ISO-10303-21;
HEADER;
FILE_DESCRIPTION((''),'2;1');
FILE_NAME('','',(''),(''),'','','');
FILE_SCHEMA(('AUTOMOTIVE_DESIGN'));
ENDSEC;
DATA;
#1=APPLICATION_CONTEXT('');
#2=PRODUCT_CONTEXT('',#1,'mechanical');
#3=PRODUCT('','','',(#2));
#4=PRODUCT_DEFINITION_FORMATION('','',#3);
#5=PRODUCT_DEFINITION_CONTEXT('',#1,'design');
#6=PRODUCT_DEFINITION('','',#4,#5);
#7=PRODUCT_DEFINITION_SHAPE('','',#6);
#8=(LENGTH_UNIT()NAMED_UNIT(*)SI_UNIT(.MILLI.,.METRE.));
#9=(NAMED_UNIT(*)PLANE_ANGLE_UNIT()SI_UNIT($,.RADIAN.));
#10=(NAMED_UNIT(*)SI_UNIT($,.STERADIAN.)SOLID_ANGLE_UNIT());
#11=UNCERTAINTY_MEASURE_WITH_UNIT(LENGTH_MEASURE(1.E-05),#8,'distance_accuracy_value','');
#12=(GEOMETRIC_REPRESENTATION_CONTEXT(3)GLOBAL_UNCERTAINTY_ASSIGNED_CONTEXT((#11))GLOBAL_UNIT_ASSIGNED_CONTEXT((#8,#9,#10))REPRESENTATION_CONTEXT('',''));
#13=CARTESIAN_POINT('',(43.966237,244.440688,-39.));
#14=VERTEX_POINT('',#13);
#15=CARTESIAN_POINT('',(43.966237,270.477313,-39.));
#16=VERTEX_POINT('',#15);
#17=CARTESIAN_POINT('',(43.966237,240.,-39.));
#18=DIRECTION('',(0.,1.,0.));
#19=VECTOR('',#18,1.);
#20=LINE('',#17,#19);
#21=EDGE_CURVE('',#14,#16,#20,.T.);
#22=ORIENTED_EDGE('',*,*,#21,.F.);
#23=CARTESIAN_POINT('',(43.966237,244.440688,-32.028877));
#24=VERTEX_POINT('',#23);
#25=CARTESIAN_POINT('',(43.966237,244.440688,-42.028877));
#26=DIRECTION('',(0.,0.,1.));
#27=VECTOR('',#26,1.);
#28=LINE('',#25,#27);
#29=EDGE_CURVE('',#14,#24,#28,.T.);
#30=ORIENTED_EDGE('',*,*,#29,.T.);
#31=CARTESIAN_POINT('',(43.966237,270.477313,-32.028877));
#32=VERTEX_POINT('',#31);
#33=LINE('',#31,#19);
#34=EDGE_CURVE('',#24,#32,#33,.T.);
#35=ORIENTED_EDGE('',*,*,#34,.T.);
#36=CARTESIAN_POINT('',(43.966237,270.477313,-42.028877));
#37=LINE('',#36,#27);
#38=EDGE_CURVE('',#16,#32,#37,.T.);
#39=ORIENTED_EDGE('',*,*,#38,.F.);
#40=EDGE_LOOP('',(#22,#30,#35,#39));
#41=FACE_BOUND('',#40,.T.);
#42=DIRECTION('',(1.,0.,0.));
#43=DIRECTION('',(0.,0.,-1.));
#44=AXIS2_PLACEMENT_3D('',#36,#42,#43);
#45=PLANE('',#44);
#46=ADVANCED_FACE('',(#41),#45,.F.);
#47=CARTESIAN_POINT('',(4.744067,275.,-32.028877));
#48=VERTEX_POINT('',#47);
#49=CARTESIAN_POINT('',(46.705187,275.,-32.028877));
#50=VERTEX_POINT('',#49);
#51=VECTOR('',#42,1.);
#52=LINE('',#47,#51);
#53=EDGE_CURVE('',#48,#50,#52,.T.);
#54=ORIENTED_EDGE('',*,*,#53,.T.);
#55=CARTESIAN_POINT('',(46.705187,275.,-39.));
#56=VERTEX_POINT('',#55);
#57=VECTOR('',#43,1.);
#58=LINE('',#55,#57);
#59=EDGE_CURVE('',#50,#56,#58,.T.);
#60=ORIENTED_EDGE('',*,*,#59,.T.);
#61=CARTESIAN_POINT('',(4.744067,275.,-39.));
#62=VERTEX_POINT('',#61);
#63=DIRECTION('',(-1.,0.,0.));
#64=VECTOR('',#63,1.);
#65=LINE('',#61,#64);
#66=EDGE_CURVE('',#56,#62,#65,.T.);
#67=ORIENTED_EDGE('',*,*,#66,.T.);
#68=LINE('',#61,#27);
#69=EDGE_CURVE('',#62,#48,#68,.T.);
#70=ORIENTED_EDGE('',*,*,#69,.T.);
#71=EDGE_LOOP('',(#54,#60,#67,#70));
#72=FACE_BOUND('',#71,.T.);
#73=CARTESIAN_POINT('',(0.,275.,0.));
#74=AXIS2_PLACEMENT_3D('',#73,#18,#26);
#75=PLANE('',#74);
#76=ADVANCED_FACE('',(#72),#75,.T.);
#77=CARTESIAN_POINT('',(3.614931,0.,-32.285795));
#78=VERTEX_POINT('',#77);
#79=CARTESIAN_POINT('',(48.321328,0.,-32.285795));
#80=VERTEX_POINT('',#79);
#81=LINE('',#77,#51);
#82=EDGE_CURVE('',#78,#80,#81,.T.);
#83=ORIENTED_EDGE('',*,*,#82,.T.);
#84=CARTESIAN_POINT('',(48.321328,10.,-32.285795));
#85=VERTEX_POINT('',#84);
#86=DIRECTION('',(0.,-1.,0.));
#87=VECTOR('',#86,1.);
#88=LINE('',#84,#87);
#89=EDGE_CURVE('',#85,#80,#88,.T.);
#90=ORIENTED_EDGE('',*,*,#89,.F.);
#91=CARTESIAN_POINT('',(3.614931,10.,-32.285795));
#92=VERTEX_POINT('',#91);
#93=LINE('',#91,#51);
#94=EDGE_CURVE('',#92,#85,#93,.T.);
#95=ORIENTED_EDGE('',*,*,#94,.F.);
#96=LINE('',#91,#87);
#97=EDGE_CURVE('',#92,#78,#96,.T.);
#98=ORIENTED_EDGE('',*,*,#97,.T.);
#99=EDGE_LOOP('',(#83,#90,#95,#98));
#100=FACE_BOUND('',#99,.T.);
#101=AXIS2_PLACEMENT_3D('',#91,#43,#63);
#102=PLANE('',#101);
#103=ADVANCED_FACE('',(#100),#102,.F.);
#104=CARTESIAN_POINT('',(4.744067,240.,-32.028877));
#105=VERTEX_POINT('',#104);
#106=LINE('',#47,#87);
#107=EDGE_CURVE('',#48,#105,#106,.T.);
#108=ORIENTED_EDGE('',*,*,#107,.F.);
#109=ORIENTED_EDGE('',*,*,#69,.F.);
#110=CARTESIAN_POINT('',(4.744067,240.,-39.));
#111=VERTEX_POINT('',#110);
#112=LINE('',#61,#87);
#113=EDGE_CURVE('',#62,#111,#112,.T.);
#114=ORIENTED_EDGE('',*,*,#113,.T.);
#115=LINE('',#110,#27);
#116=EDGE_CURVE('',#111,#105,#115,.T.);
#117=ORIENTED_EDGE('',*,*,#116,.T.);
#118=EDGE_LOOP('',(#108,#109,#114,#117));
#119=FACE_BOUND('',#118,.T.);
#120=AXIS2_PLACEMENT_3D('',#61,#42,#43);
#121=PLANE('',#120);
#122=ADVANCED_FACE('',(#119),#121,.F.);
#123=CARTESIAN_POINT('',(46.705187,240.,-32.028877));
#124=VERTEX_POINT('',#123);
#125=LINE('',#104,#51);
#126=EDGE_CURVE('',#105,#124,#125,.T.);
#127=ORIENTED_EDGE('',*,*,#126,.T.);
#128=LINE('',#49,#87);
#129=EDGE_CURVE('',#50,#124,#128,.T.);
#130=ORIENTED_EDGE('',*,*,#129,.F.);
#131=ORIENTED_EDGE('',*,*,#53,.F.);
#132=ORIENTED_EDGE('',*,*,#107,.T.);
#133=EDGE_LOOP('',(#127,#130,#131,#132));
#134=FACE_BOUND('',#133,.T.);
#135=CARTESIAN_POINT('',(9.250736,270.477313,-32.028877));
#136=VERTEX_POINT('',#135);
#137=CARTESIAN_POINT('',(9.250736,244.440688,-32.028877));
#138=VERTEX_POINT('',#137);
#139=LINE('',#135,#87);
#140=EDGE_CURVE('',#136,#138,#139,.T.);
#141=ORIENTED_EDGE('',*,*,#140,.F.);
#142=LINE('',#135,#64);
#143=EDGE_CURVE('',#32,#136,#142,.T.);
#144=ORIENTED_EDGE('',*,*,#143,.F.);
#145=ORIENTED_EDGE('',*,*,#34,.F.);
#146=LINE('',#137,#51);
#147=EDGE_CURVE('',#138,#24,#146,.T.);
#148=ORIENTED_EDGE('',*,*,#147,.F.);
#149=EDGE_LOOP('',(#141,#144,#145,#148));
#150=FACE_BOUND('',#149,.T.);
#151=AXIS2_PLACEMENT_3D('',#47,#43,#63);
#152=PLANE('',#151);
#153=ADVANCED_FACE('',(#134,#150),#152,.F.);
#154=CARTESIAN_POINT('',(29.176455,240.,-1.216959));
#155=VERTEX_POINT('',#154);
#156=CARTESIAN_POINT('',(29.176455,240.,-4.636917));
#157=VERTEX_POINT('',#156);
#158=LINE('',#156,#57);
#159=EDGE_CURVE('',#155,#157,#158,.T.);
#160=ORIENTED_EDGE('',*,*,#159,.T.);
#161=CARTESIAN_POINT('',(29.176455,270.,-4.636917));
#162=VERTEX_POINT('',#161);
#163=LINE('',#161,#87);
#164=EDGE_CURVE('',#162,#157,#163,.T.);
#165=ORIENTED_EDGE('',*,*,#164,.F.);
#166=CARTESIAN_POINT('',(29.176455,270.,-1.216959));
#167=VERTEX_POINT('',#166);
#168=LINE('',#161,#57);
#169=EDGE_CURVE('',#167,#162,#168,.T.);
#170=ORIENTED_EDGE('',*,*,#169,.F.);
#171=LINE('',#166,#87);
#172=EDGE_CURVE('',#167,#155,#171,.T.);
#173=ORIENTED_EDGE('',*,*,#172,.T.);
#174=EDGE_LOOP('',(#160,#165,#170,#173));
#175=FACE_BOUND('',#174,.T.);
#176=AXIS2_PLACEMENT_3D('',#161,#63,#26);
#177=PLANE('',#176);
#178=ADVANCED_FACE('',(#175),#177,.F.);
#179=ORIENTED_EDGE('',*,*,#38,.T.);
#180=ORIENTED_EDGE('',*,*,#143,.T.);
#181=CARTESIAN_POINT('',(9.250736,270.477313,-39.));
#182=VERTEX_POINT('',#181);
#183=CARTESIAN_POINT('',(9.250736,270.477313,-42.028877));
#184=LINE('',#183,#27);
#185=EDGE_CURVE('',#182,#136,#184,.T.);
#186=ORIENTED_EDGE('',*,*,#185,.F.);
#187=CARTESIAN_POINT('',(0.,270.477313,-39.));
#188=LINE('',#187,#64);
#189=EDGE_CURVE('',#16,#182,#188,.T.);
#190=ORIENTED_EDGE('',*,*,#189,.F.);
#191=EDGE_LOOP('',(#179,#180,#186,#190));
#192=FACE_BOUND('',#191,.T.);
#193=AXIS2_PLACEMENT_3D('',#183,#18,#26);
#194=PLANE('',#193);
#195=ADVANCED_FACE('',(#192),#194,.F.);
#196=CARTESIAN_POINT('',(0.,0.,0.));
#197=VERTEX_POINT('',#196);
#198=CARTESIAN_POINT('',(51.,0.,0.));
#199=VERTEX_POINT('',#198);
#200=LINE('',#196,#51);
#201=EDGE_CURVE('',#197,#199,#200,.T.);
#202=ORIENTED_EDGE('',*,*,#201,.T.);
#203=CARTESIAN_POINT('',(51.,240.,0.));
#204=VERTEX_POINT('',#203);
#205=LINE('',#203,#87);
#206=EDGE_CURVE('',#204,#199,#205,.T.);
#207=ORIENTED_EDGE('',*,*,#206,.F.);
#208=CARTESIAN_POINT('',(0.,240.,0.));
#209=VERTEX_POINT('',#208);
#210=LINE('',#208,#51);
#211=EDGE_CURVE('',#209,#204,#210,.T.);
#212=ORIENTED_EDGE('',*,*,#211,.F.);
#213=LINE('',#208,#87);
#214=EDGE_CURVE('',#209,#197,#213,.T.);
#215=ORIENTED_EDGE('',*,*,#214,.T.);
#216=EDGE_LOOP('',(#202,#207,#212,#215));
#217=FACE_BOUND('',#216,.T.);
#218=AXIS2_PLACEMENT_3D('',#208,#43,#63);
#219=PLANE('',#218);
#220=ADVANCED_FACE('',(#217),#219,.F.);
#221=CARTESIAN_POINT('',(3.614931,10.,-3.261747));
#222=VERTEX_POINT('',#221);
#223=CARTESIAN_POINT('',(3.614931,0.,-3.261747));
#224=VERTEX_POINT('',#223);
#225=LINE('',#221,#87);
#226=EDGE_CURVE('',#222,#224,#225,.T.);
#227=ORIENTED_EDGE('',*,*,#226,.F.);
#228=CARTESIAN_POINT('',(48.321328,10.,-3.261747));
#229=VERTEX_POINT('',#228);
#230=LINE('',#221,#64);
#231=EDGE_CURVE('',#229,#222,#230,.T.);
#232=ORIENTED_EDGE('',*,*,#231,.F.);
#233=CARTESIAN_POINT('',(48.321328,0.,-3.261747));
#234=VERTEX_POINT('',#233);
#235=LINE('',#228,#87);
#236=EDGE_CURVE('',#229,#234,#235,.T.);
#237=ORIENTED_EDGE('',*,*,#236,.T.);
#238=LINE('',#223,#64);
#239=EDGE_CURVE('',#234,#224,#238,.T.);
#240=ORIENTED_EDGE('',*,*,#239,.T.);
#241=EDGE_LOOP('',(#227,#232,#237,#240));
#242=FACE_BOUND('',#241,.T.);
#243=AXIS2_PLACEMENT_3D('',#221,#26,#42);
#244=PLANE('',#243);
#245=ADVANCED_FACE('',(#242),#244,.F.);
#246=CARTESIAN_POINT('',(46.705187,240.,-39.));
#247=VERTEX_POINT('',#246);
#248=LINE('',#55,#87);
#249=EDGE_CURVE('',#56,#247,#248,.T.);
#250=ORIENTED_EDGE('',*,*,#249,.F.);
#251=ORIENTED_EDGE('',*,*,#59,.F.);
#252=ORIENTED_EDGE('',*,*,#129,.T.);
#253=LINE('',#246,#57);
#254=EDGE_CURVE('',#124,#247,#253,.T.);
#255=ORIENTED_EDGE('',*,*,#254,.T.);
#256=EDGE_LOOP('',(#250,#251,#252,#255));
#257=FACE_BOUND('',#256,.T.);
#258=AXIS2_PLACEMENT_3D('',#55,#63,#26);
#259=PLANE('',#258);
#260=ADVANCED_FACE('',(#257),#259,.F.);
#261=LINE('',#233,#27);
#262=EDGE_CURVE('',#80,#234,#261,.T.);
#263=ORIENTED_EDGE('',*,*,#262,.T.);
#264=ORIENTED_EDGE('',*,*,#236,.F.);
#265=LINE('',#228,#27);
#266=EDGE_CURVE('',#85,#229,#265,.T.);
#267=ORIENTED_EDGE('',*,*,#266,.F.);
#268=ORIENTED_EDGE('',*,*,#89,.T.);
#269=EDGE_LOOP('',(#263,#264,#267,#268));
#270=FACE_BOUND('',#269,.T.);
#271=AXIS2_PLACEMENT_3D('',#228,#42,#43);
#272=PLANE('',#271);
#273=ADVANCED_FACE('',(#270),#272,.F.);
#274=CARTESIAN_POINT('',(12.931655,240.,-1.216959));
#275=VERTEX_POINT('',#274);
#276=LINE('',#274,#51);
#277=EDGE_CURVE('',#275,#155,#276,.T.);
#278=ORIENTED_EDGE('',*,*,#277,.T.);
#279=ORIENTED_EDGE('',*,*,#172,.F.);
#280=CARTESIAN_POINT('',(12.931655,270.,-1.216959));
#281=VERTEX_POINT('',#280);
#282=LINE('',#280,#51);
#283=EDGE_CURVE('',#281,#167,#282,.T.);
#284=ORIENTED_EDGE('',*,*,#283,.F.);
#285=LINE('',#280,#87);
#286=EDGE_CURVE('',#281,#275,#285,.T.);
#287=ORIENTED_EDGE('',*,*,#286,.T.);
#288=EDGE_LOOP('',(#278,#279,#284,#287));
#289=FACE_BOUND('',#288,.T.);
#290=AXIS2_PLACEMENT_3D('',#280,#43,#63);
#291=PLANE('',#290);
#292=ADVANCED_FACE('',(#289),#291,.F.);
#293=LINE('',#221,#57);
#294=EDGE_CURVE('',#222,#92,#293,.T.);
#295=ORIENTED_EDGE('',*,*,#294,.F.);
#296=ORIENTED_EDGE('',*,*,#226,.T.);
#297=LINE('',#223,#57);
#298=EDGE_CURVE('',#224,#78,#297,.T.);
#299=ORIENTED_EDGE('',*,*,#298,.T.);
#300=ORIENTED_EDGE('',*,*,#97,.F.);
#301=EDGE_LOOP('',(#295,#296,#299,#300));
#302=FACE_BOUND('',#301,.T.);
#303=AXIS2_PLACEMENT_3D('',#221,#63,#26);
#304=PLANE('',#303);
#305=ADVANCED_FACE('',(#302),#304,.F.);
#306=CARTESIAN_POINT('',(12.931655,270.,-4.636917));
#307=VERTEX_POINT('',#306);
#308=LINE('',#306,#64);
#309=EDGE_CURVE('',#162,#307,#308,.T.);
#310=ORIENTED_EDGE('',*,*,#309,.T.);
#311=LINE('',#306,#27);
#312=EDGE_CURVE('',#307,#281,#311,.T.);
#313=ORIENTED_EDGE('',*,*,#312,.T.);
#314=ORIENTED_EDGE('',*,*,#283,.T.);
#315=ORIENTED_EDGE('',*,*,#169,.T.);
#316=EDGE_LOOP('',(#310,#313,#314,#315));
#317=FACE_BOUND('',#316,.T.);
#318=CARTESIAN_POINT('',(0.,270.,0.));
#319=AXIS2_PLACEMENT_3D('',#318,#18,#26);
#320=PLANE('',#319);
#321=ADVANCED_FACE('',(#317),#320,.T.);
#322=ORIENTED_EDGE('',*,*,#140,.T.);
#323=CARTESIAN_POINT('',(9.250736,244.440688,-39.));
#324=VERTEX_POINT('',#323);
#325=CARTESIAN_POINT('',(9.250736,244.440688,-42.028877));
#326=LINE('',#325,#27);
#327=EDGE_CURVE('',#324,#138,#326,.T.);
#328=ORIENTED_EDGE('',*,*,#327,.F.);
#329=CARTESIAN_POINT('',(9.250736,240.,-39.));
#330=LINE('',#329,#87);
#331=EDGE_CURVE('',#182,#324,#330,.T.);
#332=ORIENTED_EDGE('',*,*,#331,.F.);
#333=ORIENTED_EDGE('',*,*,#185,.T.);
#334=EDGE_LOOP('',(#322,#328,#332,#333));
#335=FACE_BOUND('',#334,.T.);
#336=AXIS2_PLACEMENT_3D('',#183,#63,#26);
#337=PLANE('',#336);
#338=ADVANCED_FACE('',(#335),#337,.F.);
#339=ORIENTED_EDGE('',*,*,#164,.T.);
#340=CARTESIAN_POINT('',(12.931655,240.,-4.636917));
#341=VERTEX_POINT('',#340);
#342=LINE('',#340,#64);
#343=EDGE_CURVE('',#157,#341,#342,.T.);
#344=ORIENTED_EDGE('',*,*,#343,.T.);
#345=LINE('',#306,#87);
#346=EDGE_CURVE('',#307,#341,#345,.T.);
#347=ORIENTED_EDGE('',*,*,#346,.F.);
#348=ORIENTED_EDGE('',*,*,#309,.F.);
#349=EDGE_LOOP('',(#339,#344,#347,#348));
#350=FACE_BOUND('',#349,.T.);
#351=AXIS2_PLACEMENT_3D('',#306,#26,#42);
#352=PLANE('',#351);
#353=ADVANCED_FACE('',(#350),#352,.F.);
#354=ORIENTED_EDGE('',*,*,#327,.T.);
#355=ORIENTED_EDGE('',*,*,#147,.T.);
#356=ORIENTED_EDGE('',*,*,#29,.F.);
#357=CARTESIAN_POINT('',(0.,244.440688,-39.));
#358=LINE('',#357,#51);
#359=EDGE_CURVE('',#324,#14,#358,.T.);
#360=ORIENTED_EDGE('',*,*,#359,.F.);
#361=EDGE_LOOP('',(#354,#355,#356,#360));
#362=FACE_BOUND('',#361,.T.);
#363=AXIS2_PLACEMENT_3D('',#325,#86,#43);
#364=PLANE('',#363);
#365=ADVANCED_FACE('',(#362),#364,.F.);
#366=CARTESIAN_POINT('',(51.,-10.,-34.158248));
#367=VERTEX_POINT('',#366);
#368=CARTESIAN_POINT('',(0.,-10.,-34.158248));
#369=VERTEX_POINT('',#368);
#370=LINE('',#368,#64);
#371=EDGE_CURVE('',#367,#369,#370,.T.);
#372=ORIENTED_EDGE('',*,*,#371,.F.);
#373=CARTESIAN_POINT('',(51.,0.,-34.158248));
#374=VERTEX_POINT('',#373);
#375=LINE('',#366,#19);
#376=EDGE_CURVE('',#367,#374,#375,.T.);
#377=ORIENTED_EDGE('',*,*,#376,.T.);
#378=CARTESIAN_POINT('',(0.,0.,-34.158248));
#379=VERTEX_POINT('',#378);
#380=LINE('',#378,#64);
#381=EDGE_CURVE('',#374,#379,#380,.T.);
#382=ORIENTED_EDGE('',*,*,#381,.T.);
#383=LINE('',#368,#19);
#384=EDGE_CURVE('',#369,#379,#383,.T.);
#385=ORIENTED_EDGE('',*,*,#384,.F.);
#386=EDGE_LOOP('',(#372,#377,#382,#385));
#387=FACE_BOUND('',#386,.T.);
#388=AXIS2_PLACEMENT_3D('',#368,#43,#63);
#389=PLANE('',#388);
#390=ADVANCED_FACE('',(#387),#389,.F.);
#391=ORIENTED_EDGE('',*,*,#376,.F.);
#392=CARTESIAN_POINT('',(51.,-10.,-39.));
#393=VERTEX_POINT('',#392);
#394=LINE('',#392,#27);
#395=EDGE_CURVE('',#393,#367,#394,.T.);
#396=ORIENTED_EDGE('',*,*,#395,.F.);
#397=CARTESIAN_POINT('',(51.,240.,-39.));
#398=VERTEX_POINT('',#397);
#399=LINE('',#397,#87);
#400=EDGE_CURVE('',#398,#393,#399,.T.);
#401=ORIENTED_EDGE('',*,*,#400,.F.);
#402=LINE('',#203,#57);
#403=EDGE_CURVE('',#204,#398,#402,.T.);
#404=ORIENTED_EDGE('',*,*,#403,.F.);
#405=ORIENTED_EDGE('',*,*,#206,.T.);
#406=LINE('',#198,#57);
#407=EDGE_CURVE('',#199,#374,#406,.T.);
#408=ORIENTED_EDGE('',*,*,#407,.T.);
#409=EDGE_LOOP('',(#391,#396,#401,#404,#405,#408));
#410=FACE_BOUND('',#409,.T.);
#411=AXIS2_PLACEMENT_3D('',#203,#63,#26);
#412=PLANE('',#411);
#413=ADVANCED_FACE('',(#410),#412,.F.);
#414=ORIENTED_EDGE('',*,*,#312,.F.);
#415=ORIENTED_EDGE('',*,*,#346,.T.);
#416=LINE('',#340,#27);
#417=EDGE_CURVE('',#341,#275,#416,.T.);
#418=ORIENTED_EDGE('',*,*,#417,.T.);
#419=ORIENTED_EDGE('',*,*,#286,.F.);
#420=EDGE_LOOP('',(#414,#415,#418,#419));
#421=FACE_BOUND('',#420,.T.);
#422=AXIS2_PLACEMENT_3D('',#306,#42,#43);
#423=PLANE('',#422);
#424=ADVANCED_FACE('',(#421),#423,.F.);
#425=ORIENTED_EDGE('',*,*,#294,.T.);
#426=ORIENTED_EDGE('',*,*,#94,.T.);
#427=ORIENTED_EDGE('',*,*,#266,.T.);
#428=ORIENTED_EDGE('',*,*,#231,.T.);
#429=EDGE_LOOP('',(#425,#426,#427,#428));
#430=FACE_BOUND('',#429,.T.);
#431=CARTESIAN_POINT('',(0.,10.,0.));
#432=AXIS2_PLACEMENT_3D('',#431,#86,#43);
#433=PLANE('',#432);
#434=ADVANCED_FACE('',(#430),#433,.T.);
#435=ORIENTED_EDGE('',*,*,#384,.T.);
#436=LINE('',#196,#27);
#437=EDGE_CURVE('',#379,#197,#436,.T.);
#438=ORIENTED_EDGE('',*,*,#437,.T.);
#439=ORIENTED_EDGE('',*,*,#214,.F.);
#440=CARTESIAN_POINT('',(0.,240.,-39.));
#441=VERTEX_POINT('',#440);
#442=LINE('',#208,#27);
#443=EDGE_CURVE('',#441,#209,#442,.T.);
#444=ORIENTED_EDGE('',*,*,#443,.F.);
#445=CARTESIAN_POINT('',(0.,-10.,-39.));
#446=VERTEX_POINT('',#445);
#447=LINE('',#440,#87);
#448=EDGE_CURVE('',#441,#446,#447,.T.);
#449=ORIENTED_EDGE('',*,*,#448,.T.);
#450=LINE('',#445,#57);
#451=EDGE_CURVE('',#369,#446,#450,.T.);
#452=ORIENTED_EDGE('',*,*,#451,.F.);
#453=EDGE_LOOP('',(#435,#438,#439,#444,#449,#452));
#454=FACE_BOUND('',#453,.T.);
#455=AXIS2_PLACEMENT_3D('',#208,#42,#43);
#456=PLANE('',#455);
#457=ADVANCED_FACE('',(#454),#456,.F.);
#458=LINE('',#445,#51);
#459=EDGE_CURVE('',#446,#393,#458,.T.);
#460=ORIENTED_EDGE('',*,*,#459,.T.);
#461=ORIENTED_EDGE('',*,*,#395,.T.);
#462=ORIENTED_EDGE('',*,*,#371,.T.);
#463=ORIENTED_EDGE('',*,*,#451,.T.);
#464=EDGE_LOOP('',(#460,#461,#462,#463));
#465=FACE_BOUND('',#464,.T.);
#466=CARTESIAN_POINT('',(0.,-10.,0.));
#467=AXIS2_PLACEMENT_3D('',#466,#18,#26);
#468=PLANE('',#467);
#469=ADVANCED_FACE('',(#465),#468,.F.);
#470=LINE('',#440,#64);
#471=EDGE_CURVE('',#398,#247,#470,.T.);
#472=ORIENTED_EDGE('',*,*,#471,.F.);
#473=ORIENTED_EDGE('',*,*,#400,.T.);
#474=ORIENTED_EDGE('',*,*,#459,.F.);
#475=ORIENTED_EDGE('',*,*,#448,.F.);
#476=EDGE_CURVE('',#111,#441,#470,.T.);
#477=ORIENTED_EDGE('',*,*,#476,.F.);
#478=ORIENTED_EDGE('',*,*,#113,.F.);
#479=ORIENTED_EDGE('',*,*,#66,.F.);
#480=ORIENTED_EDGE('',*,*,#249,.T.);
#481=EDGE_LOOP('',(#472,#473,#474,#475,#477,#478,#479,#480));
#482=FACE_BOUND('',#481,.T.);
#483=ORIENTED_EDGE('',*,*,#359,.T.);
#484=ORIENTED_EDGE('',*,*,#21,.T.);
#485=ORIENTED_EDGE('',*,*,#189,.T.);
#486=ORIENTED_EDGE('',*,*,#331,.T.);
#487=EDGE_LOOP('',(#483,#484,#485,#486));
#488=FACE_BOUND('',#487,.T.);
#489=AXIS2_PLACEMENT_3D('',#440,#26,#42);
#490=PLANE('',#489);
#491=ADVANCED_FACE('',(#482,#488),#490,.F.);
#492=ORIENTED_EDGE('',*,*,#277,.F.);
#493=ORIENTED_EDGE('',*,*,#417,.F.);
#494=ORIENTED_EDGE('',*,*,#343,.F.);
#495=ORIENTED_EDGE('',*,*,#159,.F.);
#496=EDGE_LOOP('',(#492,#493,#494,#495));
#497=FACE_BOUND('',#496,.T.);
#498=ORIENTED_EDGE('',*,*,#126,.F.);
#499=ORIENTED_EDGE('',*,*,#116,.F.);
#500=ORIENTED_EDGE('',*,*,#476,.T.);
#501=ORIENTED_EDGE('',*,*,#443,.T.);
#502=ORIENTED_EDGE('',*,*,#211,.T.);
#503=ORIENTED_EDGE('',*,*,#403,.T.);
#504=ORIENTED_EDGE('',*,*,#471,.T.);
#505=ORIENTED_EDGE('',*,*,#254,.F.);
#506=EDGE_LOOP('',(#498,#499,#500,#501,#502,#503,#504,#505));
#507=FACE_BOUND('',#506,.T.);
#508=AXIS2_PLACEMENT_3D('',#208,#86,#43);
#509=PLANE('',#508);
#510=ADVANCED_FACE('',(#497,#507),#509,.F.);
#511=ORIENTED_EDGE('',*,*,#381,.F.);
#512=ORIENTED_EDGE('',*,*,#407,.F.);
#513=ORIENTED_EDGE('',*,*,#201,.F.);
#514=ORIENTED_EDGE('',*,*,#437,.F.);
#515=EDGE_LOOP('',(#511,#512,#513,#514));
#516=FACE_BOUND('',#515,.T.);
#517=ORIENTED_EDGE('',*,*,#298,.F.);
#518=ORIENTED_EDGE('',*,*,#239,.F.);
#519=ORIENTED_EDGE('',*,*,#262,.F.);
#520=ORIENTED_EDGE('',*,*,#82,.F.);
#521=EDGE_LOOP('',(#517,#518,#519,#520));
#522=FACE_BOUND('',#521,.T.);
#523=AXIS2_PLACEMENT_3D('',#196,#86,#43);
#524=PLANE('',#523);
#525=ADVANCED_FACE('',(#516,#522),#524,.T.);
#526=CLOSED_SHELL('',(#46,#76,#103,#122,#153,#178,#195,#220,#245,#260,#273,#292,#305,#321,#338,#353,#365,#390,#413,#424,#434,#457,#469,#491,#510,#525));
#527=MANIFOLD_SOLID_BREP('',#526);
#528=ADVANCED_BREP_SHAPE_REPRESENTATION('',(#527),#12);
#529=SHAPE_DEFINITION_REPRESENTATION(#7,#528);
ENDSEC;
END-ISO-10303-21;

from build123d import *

# Parameters (mm, degrees)
SKETCH_1_W          = 51
SKETCH_1_H          = 39
EXTRUDE_1_DEPTH     = 240
SKETCH_2_W          = 41.961119827
SKETCH_2_H          = 6.971123129
EXTRUDE_2_DEPTH     = 35
SKETCH_3_W          = 16.244799638
SKETCH_3_H          = 3.419957818
EXTRUDE_3_DEPTH     = 30
SKETCH_4_W          = 51
SKETCH_4_H          = 4.841751688
EXTRUDE_4_DEPTH     = 10
SKETCH_5_W          = 44.706396848
SKETCH_5_H          = 29.024048215
CUT_EXTRUDE_1_DEPTH = 10
SKETCH_6_W          = 34.715500368
SKETCH_6_H          = 26.036625276
CUT_EXTRUDE_2_DEPTH = 10


with BuildPart() as part:
    # 草图1 → 凸台-拉伸1 (new body)
    with BuildSketch(Plane(origin=(0, 0, 0), x_dir=(1, 0, 0), z_dir=(0, 1, 0))):
        with Locations((25.5, 19.5)):
            Rectangle(SKETCH_1_W, SKETCH_1_H)
    extrude(amount=EXTRUDE_1_DEPTH)

    # 草图2 → 凸台-拉伸2 (add)
    with BuildSketch(Plane(origin=(0, 240, 0), x_dir=(1, 0, 0), z_dir=(0, 1, 0))):
        with Locations((25.724627293, 35.514438435)):
            Rectangle(SKETCH_2_W, SKETCH_2_H)
    extrude(amount=EXTRUDE_2_DEPTH)

    # 草图3 → 凸台-拉伸3 (add)
    with BuildSketch(Plane(origin=(0, 240, 0), x_dir=(1, 0, 0), z_dir=(0, 1, 0))):
        with Locations((21.054054836, 2.926937994)):
            Rectangle(SKETCH_3_W, SKETCH_3_H)
    extrude(amount=EXTRUDE_3_DEPTH)

    # 草图4 → 凸台-拉伸4 (add)
    with BuildSketch(Plane.XZ):
        with Locations((25.5, -36.579124156)):
            Rectangle(SKETCH_4_W, SKETCH_4_H)
    extrude(amount=EXTRUDE_4_DEPTH)

    # 草图5 → 切除-拉伸1 (cut)
    with BuildSketch(Plane.XZ):
        with Locations((25.96812981, -17.773771326)):
            Rectangle(SKETCH_5_W, SKETCH_5_H)
    extrude(amount=-CUT_EXTRUDE_1_DEPTH, mode=Mode.SUBTRACT)

    # 草图6 → 切除-拉伸2 (cut)
    with BuildSketch(Plane.XY.offset(-32.028876871)):
        with Locations((26.608486618, 257.459000656)):
            Rectangle(SKETCH_6_W, SKETCH_6_H)
    extrude(amount=-CUT_EXTRUDE_2_DEPTH, mode=Mode.SUBTRACT)


solid = part.part
